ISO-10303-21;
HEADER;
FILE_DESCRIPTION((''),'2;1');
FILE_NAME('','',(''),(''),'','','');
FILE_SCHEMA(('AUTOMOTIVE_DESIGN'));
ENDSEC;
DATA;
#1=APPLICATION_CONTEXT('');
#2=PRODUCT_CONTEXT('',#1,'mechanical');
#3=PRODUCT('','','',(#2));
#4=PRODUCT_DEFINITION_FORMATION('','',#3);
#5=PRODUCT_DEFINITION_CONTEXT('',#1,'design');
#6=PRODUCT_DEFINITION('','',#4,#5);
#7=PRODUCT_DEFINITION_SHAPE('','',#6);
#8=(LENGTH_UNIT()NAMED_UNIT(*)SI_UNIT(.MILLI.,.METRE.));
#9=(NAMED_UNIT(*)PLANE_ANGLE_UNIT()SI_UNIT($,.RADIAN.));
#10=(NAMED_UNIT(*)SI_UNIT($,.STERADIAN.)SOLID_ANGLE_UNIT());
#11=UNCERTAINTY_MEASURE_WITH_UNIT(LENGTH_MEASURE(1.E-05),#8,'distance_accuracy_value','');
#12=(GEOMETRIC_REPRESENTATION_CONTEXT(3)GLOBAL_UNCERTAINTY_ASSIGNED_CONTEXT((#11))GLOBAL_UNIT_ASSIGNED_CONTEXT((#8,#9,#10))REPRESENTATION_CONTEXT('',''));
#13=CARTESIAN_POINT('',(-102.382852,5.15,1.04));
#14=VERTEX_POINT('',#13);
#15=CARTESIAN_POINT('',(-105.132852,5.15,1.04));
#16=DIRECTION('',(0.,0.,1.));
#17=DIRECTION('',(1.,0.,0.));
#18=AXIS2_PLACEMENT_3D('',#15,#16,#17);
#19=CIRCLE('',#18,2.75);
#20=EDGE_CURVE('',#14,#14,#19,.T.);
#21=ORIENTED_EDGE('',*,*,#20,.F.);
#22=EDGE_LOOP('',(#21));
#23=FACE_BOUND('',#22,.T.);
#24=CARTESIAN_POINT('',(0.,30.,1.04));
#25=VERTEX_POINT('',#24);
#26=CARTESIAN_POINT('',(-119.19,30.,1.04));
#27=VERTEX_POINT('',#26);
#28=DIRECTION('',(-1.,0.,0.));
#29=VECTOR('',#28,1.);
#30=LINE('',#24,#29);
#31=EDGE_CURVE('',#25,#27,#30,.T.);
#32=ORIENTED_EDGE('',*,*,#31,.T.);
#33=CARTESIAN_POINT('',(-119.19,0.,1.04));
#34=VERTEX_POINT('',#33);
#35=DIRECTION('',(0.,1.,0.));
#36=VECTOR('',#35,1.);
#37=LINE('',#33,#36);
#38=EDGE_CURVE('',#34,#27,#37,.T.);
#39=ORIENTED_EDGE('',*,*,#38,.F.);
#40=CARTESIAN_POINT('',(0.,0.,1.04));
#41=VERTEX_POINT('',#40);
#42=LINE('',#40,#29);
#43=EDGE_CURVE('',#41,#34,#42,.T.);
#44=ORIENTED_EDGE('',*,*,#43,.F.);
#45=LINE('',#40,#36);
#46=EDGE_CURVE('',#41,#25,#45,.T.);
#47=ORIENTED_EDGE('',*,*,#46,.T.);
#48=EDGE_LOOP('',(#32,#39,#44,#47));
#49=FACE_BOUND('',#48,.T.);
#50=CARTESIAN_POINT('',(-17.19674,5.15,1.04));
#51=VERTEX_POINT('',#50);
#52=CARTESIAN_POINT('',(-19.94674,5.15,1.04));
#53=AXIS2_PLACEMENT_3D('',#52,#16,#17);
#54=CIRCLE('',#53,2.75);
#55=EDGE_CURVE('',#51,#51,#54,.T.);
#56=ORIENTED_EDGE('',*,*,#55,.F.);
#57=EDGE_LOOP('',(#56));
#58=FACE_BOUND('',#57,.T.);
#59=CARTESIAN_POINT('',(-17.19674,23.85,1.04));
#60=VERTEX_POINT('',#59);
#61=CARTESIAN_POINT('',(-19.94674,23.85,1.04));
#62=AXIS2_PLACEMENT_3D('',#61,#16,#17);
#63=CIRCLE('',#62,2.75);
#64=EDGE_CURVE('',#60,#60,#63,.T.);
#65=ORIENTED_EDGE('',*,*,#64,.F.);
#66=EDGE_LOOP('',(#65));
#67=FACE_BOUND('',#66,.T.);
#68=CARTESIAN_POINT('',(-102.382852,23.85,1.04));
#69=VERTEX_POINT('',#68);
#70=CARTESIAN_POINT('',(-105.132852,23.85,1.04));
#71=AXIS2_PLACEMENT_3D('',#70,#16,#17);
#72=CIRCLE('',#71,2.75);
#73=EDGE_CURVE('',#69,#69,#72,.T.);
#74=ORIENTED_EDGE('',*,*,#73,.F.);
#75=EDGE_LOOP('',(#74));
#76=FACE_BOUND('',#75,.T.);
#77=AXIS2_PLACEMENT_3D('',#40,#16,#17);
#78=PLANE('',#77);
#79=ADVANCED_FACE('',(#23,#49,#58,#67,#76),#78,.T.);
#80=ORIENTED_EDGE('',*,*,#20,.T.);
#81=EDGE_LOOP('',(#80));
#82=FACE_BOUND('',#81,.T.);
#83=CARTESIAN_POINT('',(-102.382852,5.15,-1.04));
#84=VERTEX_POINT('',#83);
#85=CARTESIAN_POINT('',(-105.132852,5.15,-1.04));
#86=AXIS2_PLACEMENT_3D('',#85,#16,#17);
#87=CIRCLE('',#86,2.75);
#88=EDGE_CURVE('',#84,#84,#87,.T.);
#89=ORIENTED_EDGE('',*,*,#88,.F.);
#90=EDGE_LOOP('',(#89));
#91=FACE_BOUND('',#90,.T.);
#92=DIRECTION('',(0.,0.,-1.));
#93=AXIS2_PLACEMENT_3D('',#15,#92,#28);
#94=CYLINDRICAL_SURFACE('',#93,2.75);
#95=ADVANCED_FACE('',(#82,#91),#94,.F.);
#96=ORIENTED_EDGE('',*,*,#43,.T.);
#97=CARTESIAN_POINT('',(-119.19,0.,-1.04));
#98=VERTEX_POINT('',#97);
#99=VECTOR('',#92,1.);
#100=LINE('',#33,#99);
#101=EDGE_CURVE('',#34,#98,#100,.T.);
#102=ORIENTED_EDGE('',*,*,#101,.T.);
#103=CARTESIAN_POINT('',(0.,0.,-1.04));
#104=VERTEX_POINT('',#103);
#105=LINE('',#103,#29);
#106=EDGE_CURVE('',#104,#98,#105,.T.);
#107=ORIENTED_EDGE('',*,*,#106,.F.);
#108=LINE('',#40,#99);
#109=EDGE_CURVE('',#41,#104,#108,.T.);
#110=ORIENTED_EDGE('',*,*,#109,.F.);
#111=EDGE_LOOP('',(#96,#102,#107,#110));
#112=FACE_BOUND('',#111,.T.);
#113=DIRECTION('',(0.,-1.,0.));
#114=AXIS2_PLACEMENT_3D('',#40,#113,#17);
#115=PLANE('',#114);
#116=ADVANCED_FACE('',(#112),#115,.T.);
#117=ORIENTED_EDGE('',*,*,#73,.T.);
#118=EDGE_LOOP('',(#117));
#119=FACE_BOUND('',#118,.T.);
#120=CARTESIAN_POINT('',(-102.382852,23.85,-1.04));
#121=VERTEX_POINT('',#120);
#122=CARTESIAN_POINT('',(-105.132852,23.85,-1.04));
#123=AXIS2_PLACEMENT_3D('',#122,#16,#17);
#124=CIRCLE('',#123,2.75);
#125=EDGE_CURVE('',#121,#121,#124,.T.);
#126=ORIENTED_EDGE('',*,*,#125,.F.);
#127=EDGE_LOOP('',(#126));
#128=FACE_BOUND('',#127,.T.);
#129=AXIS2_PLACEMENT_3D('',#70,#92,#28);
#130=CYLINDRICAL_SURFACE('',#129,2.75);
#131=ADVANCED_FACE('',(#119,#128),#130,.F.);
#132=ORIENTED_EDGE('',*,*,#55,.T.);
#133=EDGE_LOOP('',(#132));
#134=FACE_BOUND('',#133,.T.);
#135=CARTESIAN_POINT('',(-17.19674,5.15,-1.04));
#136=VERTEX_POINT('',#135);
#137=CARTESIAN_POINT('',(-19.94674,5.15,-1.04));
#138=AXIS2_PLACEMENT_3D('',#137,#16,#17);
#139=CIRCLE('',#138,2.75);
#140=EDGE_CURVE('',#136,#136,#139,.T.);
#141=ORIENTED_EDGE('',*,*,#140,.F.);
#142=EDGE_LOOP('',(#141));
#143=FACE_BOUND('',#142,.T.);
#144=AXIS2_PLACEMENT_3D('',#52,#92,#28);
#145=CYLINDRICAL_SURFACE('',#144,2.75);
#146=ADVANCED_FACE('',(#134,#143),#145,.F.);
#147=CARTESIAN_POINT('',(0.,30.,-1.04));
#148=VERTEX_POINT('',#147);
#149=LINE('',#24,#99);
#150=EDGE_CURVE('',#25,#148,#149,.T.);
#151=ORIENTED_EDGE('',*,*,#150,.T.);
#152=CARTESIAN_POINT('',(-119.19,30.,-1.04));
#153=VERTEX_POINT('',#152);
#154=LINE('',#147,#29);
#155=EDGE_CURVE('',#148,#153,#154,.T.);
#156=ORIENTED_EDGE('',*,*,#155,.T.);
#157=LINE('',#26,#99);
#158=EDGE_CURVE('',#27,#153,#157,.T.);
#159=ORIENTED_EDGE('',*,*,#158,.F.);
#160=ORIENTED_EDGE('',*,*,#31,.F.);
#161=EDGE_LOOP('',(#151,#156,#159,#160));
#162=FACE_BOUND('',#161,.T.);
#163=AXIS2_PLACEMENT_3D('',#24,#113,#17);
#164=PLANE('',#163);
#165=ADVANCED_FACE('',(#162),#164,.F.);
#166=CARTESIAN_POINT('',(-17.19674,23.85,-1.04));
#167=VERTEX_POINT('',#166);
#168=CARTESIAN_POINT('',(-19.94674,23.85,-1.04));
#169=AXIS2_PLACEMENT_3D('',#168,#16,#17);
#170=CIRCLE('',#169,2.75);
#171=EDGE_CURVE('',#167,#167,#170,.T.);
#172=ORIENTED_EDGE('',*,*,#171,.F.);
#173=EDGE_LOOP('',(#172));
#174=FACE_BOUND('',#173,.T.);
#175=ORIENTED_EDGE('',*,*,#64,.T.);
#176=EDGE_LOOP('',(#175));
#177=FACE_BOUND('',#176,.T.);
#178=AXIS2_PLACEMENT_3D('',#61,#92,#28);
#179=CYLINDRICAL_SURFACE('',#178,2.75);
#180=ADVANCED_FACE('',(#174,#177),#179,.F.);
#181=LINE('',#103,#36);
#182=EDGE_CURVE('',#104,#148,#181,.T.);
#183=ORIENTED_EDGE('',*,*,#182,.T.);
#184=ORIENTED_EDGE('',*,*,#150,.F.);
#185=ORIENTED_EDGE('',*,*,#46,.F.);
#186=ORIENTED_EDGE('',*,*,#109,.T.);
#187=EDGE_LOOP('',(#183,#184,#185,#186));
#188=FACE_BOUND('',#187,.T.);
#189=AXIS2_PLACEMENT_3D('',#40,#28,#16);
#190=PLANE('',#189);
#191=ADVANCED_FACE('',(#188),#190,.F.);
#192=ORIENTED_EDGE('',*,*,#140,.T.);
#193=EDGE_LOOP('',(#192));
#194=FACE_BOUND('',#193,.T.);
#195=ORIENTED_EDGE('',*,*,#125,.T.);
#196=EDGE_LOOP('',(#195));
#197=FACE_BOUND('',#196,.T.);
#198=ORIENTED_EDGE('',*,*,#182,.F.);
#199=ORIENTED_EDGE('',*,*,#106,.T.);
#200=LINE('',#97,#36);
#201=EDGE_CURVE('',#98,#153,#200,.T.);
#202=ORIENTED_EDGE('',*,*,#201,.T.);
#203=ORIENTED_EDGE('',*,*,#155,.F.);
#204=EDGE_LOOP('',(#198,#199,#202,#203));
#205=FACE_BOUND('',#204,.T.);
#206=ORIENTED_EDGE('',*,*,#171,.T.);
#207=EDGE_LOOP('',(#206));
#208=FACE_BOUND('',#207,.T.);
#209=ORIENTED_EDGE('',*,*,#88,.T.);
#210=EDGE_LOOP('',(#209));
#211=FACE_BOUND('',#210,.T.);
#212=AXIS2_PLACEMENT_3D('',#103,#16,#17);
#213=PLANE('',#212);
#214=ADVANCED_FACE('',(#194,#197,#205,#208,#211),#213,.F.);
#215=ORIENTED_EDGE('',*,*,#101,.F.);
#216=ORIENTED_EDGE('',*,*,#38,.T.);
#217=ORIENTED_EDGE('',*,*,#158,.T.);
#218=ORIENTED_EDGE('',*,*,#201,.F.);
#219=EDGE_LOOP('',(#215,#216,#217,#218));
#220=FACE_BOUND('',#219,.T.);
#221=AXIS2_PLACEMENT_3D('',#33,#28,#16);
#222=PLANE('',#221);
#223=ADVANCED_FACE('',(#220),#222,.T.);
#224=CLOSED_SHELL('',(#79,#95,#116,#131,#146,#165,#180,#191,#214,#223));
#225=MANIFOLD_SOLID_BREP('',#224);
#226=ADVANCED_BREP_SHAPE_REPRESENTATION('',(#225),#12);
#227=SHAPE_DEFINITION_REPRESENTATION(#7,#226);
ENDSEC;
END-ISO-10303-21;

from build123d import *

# Parameters (mm, degrees)
SKETCH1_W           = 119.19
SKETCH1_H           = 30
SKETCH1_R           = 2.75
BOSS_EXTRUDE1_DEPTH = 1.04


with BuildPart() as part:
    # Sketch1 → Boss-Extrude1 (new, symmetric)
    with BuildSketch(Plane.XY):
        with Locations((-59.595, 15)):
            Rectangle(SKETCH1_W, SKETCH1_H)
        with Locations((-105.132851775, 23.85)):
            Circle(SKETCH1_R, mode=Mode.SUBTRACT)
        with Locations((-105.132851775, 5.15)):
            Circle(SKETCH1_R, mode=Mode.SUBTRACT)
        with Locations((-19.946740073, 23.85)):
            Circle(SKETCH1_R, mode=Mode.SUBTRACT)
        with Locations((-19.946740073, 5.15)):
            Circle(SKETCH1_R, mode=Mode.SUBTRACT)
    extrude(amount=BOSS_EXTRUDE1_DEPTH, both=True)


solid = part.part
